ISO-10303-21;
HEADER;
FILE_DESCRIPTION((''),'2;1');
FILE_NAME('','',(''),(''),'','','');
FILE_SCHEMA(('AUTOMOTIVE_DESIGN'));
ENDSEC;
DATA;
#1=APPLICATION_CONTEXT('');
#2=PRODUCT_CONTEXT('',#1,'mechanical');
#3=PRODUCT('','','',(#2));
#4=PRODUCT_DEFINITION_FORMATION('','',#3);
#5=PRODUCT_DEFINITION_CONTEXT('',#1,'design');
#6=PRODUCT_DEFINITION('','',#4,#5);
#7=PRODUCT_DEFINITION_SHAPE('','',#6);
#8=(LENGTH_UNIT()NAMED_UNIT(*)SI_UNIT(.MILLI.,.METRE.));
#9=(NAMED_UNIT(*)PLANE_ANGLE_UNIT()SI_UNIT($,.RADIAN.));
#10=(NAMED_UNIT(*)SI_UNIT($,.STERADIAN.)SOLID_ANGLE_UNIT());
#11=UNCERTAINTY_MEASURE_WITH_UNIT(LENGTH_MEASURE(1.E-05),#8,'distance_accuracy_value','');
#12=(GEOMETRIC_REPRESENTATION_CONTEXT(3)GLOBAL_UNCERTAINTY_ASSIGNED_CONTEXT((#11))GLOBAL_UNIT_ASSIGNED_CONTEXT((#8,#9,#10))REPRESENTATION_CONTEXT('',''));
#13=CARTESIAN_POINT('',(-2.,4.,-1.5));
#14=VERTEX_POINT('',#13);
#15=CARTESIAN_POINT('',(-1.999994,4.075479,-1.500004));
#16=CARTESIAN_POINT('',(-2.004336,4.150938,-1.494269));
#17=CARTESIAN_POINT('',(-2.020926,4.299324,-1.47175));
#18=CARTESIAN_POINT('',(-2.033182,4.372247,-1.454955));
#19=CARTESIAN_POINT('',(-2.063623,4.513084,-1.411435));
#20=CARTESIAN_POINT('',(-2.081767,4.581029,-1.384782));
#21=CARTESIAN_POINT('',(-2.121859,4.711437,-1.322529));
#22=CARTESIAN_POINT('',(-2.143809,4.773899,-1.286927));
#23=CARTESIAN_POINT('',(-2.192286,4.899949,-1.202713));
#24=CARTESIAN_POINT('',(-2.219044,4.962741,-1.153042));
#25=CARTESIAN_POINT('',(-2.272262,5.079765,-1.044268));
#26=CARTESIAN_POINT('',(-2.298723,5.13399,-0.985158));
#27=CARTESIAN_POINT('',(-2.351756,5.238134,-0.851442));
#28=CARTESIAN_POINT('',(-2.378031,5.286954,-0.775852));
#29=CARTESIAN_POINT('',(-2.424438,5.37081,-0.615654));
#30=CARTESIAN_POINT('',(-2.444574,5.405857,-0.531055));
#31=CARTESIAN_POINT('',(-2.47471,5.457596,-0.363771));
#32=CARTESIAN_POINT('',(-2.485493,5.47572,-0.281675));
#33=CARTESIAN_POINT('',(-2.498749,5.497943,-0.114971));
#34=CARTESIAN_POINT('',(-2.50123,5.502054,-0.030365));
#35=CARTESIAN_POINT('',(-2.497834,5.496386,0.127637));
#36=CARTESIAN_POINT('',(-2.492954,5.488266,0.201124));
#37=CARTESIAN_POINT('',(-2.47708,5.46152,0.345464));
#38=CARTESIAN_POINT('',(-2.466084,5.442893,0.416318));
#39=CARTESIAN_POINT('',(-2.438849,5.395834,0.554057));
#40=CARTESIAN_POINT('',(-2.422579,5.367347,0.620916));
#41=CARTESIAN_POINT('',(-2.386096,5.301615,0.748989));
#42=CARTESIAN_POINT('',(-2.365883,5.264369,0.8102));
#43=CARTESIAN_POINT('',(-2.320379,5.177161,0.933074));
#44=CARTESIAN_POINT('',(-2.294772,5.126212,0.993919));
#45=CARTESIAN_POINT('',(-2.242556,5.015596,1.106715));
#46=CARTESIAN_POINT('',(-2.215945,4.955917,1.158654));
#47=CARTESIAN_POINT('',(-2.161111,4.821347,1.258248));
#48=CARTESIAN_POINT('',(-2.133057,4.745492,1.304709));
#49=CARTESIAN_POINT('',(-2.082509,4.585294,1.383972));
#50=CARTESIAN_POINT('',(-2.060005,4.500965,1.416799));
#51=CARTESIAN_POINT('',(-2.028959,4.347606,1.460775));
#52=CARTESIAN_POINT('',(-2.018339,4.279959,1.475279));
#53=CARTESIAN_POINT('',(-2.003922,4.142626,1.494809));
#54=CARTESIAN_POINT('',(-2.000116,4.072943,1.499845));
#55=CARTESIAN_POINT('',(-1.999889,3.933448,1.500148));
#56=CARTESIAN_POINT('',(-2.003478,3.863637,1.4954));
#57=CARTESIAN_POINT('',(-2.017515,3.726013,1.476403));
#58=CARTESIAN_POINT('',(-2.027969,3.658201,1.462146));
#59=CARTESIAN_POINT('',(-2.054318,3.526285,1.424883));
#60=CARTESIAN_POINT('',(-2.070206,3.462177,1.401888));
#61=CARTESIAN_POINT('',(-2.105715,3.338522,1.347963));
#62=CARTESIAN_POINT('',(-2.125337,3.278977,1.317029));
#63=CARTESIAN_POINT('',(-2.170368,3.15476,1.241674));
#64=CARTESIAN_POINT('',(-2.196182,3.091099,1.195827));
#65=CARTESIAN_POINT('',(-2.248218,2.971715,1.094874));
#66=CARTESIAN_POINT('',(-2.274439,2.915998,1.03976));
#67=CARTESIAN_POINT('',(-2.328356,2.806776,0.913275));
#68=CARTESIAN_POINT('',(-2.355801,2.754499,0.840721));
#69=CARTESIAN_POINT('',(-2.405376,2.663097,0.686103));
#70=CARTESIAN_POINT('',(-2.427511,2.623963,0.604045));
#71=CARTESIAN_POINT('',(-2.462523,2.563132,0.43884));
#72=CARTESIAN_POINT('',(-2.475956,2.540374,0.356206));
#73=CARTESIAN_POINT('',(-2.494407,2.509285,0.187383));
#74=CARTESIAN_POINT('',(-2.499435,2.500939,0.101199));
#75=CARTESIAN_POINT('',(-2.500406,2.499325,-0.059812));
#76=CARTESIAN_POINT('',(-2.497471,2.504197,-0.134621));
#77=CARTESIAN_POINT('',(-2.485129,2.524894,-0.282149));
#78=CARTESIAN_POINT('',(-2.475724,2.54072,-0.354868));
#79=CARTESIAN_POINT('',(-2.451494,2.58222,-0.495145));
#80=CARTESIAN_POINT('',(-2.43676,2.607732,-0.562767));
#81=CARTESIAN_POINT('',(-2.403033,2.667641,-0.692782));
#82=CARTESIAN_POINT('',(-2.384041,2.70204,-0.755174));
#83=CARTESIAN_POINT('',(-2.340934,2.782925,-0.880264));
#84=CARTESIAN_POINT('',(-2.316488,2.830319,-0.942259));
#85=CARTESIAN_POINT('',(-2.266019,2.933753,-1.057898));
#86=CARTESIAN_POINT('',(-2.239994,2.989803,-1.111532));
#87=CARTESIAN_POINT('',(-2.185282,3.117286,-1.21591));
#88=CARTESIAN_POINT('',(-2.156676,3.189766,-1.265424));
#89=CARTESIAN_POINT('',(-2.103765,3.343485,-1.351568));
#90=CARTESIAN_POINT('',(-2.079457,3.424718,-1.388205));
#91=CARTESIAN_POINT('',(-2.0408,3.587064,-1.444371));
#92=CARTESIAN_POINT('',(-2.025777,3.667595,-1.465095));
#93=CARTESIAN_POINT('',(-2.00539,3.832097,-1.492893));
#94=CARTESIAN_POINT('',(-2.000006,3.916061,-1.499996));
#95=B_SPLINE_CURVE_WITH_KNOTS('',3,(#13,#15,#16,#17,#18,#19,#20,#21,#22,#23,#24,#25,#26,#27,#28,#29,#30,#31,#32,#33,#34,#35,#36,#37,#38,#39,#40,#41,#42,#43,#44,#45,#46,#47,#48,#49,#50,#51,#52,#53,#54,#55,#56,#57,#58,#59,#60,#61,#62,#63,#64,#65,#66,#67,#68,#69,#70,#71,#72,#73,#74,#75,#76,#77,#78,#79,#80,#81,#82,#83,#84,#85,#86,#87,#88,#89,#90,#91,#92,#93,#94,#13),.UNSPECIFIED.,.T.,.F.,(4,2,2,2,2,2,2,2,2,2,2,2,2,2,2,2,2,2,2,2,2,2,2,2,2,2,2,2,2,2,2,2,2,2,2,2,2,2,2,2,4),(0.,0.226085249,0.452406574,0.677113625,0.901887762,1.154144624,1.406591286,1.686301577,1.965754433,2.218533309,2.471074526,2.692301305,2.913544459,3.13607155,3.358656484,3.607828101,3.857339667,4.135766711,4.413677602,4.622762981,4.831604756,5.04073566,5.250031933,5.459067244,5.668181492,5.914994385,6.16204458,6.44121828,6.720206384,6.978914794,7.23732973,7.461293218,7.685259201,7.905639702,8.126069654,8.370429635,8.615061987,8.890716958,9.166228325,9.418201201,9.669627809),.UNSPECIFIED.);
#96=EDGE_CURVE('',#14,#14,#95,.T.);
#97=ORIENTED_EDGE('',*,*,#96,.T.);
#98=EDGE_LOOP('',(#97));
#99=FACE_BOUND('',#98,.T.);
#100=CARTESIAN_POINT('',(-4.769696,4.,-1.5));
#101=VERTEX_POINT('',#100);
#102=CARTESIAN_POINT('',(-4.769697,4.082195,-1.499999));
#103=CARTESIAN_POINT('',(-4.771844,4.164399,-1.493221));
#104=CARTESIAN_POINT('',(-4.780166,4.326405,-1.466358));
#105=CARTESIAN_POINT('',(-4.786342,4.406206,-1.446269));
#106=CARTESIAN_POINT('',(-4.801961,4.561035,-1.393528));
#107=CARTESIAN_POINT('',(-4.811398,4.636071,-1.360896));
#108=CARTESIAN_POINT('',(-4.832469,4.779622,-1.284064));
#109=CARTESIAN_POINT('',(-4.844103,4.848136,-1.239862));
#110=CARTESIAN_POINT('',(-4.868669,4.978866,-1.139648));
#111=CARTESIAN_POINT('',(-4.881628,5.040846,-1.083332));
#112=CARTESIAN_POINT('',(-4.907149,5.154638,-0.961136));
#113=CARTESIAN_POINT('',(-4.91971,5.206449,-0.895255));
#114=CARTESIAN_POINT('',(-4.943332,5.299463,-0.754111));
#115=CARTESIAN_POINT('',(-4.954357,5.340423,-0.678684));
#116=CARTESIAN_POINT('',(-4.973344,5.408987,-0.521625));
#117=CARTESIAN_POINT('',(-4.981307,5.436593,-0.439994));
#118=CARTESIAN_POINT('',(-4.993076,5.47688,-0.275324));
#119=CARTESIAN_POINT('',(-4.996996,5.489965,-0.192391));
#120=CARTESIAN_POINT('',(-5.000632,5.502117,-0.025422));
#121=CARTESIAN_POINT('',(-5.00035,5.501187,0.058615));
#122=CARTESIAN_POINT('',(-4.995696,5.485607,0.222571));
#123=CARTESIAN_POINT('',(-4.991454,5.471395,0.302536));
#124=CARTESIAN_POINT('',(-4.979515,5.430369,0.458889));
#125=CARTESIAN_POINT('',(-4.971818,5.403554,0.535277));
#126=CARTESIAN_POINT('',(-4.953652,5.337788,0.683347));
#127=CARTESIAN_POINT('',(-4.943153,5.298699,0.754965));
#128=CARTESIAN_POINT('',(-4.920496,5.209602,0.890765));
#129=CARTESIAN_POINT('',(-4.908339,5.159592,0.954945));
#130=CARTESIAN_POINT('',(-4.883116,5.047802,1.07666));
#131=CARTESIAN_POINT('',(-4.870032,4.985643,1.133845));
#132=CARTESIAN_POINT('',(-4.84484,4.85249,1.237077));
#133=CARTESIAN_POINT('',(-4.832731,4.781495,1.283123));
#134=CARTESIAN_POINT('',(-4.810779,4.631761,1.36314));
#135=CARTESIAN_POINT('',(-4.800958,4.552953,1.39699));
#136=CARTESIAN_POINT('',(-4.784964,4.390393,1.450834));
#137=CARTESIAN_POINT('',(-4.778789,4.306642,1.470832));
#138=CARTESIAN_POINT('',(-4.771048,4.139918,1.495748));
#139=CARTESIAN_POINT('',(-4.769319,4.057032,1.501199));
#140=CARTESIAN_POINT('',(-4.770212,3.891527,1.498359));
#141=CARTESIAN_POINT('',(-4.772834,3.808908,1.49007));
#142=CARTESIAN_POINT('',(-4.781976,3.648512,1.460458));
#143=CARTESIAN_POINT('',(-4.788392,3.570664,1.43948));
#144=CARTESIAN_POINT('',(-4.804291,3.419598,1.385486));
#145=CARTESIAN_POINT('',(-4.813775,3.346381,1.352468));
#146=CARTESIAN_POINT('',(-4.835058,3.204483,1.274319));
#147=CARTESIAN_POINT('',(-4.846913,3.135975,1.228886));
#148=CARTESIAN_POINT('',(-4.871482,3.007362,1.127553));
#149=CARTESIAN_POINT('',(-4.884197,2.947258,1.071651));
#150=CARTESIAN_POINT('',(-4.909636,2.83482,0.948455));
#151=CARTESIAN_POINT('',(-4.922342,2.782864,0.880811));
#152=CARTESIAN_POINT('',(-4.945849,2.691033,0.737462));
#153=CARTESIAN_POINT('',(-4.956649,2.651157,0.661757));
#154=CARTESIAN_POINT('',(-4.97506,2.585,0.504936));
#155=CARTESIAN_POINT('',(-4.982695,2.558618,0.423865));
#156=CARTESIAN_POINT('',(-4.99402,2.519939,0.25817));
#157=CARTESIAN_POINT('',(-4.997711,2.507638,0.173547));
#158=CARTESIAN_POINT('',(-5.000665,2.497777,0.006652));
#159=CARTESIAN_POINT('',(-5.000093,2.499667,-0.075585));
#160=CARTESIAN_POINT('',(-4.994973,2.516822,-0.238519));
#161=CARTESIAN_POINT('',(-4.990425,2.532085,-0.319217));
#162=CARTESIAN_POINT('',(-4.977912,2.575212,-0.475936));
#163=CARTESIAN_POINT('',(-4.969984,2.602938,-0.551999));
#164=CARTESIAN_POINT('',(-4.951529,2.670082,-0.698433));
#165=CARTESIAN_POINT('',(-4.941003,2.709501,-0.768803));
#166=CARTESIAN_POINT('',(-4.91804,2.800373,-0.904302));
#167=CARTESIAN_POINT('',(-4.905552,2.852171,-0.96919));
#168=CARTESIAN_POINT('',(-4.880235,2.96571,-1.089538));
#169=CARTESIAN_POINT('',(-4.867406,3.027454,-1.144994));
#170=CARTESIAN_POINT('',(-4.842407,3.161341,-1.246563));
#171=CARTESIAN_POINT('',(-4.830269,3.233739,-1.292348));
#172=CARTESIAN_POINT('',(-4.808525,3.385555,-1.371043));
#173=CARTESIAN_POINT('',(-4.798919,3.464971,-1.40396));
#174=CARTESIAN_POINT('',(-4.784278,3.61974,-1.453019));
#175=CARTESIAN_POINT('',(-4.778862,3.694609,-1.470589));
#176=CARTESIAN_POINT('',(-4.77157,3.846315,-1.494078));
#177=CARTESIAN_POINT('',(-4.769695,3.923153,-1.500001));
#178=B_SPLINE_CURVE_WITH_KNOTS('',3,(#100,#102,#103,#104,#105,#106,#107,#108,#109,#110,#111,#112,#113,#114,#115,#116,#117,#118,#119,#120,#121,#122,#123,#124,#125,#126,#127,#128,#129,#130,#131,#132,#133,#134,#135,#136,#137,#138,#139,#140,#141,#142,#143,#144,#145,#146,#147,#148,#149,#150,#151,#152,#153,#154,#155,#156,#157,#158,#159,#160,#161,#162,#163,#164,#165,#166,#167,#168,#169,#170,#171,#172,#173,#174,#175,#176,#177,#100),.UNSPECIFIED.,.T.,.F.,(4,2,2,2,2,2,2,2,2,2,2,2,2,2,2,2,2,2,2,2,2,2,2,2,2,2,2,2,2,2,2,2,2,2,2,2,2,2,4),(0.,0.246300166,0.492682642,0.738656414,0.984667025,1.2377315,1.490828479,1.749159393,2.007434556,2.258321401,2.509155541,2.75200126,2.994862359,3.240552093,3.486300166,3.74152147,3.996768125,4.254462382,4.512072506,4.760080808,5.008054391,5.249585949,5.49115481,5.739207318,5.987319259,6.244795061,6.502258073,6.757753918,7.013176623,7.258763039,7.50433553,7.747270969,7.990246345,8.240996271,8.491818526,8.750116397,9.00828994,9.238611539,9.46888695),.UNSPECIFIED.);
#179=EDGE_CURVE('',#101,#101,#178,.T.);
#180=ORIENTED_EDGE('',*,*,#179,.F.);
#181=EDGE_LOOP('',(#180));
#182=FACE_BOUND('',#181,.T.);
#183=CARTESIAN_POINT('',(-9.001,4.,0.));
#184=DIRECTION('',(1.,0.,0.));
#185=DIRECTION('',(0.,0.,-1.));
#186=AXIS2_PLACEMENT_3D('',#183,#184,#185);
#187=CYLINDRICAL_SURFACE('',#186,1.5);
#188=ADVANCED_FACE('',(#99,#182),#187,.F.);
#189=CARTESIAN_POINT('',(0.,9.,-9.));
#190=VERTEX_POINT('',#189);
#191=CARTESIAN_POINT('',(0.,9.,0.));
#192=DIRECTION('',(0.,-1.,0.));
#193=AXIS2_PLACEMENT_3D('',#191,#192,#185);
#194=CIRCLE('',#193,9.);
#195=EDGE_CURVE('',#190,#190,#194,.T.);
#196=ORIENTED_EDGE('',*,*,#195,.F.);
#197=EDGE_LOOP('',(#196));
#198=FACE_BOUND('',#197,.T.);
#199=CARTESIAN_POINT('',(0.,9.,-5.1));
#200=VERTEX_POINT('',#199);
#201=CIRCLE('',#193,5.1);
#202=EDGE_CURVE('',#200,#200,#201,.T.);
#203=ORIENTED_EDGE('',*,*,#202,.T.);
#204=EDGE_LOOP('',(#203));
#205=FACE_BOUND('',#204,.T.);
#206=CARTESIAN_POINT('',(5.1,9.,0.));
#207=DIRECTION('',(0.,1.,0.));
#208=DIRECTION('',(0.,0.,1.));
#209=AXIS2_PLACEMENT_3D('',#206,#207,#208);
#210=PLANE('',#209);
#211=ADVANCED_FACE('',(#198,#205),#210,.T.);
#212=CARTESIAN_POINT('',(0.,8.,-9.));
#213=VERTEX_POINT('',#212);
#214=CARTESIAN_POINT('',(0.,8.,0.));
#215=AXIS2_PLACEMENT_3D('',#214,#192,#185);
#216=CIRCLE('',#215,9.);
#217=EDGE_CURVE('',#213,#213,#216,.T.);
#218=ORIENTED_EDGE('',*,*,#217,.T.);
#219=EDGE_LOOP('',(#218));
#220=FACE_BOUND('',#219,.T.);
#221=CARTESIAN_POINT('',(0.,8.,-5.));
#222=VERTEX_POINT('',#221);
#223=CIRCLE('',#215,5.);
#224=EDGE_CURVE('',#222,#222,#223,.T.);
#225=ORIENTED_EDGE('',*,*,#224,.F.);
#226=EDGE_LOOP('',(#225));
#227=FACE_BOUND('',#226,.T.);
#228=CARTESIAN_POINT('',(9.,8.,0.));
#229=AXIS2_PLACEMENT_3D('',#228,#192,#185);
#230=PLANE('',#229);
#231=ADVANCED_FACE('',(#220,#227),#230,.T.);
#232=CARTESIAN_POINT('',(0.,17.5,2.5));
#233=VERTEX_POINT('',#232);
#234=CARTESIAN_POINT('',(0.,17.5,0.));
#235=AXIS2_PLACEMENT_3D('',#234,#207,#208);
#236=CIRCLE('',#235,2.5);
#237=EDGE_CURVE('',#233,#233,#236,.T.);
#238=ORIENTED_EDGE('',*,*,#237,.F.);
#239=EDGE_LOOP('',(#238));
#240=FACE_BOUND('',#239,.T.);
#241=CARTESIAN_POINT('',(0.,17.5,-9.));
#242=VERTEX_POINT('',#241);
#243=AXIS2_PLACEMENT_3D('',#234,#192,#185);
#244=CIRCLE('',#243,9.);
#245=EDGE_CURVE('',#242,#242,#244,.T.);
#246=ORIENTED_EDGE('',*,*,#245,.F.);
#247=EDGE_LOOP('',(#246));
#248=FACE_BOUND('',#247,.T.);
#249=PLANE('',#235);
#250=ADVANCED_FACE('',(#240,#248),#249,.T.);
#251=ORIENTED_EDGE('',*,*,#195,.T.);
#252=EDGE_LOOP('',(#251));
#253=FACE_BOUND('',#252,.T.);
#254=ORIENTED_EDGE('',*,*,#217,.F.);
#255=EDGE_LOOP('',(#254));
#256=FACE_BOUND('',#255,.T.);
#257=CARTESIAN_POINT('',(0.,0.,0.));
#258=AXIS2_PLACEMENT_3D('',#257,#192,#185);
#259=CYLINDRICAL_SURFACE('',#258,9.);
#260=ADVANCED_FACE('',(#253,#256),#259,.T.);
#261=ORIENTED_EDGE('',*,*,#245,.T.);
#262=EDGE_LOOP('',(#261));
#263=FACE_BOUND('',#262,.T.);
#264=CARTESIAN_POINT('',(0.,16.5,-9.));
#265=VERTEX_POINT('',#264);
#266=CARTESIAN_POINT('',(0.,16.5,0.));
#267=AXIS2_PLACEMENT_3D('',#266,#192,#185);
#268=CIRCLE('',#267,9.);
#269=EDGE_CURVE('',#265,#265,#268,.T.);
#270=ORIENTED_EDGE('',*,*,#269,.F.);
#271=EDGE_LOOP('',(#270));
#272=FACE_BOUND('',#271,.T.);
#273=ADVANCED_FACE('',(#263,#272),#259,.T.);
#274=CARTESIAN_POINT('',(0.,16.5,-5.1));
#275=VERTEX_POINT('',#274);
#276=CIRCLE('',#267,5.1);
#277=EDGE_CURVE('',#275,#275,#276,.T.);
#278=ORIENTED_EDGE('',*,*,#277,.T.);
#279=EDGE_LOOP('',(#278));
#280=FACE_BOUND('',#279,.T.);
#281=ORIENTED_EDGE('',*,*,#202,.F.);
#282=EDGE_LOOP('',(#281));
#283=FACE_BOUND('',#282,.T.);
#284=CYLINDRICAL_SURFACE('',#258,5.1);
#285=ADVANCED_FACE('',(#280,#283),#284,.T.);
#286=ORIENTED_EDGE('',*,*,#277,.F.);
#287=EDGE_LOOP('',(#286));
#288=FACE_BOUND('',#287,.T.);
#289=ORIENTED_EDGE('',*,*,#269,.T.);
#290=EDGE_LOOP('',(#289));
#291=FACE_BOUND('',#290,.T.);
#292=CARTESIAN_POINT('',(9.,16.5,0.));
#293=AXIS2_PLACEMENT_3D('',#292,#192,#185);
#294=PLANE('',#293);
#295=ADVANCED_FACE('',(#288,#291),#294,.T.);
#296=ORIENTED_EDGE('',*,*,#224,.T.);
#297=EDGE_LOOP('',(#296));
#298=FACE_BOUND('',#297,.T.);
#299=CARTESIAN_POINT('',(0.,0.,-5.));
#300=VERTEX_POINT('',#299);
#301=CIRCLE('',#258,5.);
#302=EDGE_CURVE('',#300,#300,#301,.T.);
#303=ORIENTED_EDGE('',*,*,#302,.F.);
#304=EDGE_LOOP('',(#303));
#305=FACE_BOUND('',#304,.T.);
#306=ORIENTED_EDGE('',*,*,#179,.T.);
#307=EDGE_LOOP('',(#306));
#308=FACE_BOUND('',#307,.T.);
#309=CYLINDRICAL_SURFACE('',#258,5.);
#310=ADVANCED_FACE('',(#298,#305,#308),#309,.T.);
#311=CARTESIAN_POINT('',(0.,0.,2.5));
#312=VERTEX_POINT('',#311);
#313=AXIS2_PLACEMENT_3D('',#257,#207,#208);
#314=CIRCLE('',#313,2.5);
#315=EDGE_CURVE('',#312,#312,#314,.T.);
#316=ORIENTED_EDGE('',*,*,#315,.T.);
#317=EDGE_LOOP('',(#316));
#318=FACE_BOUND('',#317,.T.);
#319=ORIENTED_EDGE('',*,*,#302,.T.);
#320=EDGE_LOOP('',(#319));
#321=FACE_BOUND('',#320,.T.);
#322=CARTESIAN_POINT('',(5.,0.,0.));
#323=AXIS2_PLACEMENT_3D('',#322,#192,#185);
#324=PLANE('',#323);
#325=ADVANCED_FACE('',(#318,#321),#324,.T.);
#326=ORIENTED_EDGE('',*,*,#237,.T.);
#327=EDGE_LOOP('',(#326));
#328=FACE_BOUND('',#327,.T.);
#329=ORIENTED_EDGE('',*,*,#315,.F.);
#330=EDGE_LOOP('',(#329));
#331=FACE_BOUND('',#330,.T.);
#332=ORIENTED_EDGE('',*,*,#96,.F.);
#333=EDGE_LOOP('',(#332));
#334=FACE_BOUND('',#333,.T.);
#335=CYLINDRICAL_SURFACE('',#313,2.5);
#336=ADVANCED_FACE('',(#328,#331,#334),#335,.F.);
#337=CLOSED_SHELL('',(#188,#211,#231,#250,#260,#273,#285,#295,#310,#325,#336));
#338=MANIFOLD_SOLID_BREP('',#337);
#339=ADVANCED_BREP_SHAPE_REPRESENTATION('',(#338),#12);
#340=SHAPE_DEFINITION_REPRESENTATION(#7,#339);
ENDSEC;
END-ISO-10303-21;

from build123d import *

# Parameters (mm, degrees)
SKETCH3_R               = 2.5
CUT_EXTRUDE2_DEPTH      = 22.639085008
CUT_EXTRUDE3_REACH      = 23.639
CUT_EXTRUDE3_END_RADIUS = 5
SKETCH4_R               = 1.5


with BuildPart() as part:
    # Sketch1 → Revolve1 (revolve)
    with BuildSketch(Plane.XY, mode=Mode.PRIVATE) as revolve1_sk:
        Polygon((0, 0), (0, 17.5), (9, 17.5), (9, 16.5), (5.1, 16.5), (5.1, 9), (9, 9), (9, 8), (5, 8), (5, 0), align=None)
    revolve(revolve1_sk.sketch.rotate(Axis((0, 0, 0), (0, 1, 0)), 90), axis=Axis((0, 0, 0), (0, 1, 0)))

    # Sketch3 → Cut-Extrude2 (cut, through all)
    with BuildSketch(Plane(origin=(0, 17.5, 0), x_dir=(1, 0, 0), z_dir=(0, 1, 0))):
        with Locations(Location((0, 0, 0), (0, 0, 270))):
            Circle(SKETCH3_R)
    extrude(amount=-CUT_EXTRUDE2_DEPTH, mode=Mode.SUBTRACT)

    # Cut-Extrude3: up to this cylinder (the profile starts inside it)
    cut_extrude3_end = Plane(origin=(0, 4, 0), z_dir=(0, -1, 0)) * Cylinder(CUT_EXTRUDE3_END_RADIUS, 58.278, mode=Mode.PRIVATE)
    # Sketch4 → Cut-Extrude3 (cut, up to the surface)
    with BuildSketch(Plane(origin=(0, 0, 0), x_dir=(0, 0, -1), z_dir=(1, 0, 0)), mode=Mode.PRIVATE) as cut_extrude3_sk1:
        with Locations((0, 4)):
            Circle(SKETCH4_R)
    cut_extrude3_tool1 = extrude(cut_extrude3_sk1.sketch, amount=-CUT_EXTRUDE3_REACH, mode=Mode.PRIVATE) & cut_extrude3_end
    add(cut_extrude3_tool1.solids().sort_by_distance((0, 4, 0))[0], mode=Mode.SUBTRACT)


solid = part.part
